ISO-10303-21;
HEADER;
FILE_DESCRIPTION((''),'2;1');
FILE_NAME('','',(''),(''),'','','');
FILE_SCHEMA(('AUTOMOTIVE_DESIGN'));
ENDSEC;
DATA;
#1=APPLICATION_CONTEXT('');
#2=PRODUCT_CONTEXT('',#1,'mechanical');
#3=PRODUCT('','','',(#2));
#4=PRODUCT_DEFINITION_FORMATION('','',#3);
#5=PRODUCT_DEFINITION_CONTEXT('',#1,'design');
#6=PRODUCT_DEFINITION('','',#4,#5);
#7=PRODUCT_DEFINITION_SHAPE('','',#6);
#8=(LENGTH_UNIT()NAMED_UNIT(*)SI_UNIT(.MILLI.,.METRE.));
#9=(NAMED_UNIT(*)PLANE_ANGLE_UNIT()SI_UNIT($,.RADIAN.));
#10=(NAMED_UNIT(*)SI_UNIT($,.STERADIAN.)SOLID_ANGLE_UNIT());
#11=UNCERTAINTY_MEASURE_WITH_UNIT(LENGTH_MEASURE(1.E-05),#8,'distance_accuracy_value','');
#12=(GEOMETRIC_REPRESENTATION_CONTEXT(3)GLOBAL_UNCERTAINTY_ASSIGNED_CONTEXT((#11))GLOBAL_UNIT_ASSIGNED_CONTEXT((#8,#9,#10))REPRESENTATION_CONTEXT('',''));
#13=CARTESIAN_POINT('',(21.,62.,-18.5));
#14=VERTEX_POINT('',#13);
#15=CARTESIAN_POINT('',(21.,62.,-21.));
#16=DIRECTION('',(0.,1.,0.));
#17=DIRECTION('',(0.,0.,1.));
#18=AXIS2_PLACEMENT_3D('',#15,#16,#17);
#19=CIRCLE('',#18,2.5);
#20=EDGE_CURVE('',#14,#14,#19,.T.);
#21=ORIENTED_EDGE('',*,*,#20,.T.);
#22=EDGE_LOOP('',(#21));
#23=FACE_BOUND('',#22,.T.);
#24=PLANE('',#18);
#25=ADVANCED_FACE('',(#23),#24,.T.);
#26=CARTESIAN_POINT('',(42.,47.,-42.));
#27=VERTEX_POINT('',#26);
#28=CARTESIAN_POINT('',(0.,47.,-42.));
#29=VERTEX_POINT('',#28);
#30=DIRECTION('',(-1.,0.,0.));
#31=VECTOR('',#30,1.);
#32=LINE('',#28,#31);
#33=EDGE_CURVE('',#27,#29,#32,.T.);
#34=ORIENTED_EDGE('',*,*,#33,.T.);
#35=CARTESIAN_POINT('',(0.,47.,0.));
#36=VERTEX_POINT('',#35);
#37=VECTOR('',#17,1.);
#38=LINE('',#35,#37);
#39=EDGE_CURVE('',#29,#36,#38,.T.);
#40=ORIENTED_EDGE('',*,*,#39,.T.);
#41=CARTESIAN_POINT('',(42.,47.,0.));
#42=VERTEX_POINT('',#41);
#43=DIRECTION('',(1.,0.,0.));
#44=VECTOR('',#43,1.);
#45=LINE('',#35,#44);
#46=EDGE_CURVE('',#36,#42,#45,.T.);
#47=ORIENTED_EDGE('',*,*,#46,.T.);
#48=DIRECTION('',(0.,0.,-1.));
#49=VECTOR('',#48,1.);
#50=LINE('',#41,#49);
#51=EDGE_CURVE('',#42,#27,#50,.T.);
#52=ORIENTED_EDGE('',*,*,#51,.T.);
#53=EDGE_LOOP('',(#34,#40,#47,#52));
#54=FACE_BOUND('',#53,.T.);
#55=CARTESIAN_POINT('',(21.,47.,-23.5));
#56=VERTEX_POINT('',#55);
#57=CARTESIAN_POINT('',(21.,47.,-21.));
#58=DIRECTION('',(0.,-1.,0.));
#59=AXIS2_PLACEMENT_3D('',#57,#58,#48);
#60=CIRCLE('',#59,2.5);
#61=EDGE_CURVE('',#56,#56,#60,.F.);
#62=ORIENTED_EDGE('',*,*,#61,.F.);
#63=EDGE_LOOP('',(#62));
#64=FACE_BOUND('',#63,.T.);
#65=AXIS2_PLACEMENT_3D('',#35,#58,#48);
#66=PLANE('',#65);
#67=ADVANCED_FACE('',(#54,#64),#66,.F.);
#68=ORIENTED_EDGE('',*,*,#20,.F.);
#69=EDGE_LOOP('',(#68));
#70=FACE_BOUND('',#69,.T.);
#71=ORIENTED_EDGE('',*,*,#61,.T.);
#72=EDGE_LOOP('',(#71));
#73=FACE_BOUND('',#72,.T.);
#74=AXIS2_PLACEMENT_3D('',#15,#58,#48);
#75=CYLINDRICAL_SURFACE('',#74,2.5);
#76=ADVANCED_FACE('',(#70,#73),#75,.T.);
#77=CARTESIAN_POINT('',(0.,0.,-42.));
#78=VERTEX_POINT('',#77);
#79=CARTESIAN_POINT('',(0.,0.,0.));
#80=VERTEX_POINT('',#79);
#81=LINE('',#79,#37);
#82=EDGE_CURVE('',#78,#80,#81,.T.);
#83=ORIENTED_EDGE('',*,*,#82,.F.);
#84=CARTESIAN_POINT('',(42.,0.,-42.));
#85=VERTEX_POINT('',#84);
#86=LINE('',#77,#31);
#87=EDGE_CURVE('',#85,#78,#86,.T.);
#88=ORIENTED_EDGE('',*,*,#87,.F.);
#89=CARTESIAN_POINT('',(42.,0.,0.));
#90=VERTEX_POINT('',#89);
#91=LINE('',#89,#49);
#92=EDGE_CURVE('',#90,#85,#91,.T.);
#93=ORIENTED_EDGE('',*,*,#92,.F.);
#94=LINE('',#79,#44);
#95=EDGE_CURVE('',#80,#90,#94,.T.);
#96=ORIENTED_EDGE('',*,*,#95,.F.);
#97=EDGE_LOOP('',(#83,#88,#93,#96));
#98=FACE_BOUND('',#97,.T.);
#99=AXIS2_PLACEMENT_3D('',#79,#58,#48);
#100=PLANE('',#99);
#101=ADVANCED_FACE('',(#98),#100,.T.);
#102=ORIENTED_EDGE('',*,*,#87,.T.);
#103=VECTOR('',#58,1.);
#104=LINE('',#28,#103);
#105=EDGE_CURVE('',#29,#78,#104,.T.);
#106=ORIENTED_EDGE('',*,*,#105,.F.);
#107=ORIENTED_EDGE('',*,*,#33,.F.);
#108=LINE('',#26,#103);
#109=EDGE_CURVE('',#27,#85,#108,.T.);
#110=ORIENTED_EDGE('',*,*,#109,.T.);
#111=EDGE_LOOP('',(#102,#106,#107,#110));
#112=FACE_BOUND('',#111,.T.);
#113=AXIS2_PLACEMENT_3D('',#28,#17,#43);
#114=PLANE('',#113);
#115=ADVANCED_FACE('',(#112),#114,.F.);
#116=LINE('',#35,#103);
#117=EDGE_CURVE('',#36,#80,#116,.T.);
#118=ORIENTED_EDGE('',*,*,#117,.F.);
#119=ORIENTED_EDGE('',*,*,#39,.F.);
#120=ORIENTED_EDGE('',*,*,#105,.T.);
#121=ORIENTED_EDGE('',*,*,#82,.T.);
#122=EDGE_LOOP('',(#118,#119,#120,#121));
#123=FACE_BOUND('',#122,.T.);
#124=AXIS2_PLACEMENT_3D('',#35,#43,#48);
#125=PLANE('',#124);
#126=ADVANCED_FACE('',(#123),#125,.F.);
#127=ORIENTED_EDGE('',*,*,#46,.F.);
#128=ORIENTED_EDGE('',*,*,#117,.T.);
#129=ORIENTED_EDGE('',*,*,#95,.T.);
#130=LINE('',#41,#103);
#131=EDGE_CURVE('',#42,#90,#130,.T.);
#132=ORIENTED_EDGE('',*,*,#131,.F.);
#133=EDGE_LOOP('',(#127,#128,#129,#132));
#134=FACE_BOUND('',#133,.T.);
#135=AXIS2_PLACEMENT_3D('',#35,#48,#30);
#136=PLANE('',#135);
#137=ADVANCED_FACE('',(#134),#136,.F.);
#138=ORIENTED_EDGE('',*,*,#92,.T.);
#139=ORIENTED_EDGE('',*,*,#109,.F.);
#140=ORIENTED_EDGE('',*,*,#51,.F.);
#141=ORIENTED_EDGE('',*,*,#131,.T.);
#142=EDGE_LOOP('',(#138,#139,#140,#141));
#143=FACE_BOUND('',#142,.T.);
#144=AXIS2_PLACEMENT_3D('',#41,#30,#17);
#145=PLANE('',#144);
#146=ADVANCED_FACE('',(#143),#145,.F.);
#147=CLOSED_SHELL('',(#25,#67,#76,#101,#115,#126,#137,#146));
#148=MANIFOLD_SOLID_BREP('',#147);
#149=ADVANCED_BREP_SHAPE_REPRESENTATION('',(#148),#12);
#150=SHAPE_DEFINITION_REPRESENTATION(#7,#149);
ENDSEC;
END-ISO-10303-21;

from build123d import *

# Parameters (mm, degrees)
SKETCH1_W      = 42
SKETCH1_H      = 42
EXTRUDE1_DEPTH = 47
SKETCH2_R      = 2.5
EXTRUDE2_DEPTH = 15


with BuildPart() as part:
    # Sketch1 → Extrude1 (new body)
    with BuildSketch(Plane(origin=(0, 0, 0), x_dir=(1, 0, 0), z_dir=(0, 1, 0))):
        with Locations((21, 21)):
            Rectangle(SKETCH1_W, SKETCH1_H)
    extrude(amount=EXTRUDE1_DEPTH)

    # Sketch2 → Extrude2 (add)
    with BuildSketch(Plane(origin=(0, 47, 0), x_dir=(1, 0, 0), z_dir=(0, 1, 0))):
        with Locations(Location((21, 21, 0), (0, 0, 90))):
            Circle(SKETCH2_R)
    extrude(amount=EXTRUDE2_DEPTH)


solid = part.part
